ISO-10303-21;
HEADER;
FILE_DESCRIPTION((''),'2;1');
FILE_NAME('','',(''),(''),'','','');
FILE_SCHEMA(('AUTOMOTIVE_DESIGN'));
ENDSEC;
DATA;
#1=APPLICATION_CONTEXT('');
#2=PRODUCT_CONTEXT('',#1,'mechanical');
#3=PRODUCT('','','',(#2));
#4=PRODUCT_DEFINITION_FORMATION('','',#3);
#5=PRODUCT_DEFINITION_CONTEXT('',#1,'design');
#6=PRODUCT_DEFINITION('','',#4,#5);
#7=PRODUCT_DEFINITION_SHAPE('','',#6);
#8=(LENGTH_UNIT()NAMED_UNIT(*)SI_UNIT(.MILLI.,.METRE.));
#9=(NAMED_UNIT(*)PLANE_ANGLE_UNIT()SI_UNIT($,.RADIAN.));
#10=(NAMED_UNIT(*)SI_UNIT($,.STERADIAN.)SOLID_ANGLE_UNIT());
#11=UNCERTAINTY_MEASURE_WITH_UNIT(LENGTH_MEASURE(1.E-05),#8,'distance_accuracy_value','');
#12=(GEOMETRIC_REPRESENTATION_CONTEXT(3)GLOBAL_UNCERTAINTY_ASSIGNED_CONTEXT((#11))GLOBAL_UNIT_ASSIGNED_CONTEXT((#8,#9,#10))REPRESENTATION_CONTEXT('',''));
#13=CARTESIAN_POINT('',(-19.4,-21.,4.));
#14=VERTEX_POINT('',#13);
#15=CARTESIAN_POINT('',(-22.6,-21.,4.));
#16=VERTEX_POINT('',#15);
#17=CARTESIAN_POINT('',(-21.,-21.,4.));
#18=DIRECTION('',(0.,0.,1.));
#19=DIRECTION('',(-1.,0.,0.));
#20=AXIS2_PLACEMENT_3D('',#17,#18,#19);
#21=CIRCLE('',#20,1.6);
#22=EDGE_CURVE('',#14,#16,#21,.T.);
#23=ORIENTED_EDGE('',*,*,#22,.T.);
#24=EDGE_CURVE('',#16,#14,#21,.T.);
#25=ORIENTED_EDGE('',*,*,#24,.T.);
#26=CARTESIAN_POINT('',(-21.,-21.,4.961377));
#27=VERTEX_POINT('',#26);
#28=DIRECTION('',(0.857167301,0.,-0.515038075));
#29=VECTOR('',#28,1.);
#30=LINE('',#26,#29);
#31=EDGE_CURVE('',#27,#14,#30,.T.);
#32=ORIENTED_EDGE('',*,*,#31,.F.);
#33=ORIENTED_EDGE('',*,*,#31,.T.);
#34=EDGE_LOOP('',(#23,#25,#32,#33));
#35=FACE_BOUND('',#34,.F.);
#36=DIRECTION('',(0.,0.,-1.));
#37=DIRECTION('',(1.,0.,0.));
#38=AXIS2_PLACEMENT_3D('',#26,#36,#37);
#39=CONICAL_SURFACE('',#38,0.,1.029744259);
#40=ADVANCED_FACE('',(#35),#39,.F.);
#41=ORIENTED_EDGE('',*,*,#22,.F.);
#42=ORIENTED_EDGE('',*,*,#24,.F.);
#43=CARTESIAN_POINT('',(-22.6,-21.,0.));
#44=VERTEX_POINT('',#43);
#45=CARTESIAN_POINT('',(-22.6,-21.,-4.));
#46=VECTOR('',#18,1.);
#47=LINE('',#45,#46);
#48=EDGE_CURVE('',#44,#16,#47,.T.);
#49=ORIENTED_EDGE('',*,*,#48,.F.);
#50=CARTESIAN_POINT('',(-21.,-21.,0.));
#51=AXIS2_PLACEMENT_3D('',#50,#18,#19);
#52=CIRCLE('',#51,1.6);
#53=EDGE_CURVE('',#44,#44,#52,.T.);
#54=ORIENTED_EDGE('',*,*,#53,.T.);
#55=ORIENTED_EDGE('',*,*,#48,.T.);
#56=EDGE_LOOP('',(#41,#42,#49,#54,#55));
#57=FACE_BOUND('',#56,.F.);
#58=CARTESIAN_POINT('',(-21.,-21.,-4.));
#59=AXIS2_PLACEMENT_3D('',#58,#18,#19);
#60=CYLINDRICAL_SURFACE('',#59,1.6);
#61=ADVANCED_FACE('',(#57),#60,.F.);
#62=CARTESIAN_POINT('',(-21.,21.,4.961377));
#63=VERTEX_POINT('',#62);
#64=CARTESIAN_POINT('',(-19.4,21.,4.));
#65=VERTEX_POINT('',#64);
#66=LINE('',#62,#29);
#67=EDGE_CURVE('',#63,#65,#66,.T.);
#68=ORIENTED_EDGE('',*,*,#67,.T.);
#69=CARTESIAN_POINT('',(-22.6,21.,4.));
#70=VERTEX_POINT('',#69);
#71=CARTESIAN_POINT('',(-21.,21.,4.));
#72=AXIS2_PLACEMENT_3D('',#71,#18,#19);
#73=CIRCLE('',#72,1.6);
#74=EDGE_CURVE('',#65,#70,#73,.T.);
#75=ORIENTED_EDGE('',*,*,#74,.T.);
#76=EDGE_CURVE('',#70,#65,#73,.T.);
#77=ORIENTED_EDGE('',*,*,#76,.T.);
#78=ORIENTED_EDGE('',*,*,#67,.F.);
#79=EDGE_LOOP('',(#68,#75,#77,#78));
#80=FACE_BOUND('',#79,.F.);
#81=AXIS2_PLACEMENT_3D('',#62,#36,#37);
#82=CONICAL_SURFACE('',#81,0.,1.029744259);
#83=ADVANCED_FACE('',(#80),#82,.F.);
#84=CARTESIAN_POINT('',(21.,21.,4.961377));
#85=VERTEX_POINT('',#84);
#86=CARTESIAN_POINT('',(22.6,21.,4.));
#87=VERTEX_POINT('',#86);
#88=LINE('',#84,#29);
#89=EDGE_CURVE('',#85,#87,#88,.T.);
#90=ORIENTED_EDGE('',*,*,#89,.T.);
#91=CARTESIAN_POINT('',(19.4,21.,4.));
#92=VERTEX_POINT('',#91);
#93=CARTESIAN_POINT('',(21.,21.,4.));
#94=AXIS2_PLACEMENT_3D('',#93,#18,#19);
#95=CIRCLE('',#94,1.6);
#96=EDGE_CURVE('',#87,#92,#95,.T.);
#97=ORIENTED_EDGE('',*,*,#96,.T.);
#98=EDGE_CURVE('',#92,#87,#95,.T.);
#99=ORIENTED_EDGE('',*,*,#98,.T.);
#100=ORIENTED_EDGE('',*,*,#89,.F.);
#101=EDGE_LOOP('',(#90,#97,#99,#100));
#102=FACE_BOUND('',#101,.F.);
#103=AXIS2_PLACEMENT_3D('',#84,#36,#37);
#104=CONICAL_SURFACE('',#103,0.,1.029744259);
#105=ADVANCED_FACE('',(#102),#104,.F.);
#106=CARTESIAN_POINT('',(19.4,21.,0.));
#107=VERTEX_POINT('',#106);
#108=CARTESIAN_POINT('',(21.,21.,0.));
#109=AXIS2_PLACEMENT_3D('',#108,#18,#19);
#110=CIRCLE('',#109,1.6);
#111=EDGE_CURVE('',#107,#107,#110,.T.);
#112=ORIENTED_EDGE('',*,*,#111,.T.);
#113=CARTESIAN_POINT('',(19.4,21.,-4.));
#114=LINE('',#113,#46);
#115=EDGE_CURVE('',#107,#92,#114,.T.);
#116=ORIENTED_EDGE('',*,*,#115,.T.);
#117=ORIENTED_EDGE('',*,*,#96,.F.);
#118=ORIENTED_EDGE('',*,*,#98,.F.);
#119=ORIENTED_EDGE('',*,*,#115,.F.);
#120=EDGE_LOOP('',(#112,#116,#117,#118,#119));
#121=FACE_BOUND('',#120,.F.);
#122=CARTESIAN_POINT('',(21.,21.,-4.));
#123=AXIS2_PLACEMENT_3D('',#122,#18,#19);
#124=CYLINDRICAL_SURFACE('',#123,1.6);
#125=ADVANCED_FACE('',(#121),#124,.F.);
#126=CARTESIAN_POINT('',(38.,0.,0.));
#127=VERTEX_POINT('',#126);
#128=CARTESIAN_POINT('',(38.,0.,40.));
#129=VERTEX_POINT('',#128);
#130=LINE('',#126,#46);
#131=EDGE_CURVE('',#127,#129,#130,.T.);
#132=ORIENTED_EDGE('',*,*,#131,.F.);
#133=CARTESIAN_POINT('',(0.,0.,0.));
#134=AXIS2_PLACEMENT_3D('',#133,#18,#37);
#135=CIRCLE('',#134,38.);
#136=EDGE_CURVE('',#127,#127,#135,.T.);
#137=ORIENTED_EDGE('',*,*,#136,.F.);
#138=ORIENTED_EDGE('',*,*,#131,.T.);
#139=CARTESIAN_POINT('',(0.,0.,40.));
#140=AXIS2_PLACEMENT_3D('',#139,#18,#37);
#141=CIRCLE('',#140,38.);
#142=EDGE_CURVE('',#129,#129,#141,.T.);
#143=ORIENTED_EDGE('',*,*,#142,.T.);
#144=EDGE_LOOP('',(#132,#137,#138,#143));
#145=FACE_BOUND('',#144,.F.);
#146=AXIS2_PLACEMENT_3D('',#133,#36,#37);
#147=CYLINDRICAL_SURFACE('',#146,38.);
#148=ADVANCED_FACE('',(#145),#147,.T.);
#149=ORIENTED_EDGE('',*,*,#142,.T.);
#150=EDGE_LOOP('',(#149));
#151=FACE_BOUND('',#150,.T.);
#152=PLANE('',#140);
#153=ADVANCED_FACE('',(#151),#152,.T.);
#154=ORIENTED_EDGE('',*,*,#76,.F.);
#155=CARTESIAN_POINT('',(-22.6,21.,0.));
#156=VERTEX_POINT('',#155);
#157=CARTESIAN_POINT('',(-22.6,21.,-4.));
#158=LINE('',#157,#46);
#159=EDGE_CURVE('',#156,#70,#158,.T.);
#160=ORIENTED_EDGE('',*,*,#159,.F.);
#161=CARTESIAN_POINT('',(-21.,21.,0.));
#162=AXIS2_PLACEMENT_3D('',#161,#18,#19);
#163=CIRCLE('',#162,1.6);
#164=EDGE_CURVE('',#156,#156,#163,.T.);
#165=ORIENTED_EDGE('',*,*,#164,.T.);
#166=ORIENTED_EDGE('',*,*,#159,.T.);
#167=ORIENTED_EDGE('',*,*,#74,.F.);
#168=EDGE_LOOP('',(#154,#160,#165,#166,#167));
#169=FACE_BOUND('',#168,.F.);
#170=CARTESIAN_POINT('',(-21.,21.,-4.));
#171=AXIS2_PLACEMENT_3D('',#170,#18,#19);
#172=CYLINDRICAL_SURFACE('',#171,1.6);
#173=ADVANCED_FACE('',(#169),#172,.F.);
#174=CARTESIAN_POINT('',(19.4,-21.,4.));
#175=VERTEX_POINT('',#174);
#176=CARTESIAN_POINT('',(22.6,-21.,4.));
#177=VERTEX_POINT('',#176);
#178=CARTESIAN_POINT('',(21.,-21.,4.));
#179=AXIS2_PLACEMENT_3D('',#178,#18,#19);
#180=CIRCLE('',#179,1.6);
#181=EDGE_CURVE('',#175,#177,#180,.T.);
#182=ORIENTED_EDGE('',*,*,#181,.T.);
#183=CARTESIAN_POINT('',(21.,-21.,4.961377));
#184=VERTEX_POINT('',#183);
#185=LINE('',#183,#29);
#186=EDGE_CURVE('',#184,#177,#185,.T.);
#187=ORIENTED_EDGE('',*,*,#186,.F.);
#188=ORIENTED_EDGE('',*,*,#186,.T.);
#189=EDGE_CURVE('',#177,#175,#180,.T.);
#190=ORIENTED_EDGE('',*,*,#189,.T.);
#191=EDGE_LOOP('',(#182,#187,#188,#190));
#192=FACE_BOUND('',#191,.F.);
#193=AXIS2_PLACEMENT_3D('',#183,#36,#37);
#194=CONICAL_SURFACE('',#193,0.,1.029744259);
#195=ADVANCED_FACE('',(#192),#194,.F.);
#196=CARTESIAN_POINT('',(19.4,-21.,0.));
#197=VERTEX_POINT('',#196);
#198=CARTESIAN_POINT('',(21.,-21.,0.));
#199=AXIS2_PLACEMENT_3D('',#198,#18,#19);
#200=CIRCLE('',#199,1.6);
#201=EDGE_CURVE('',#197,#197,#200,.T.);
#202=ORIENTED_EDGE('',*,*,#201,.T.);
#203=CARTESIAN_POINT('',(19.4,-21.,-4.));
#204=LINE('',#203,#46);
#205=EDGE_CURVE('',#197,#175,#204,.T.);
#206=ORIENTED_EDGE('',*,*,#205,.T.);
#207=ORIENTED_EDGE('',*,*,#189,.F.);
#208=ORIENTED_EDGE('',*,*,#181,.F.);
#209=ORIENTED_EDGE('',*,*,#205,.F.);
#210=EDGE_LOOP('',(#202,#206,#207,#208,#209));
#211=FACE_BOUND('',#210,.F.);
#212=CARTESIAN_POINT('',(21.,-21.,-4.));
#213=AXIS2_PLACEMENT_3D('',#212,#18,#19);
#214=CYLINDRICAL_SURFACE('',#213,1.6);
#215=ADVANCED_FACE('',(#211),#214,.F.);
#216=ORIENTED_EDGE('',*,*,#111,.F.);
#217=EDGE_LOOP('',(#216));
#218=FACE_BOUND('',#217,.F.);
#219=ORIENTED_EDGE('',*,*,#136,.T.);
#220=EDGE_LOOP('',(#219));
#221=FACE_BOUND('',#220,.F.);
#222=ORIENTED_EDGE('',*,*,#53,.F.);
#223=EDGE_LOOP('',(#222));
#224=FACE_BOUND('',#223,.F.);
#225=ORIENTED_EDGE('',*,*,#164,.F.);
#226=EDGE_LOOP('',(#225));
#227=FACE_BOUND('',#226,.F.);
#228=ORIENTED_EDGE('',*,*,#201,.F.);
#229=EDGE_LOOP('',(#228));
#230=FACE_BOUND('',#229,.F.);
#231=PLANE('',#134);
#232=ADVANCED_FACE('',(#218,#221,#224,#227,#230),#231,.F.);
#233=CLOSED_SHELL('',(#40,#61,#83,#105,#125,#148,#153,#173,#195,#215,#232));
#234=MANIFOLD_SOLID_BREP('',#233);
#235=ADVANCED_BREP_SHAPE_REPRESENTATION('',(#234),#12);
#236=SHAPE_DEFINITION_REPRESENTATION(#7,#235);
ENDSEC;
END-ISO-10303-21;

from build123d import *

# Parameters (mm, degrees)
F0_R     = 38
F1_DEPTH = 40
F3_D     = 3.2
F3_DEPTH = 4
F3_TIP   = 0.9613769904


with BuildPart() as f1:
    # F0 (on Top) → F1 (new body)
    with BuildSketch(Plane.XY):
        Circle(F0_R)
    extrude(amount=F1_DEPTH)

    # F3
    with Locations(Plane(origin=(0, 0, 0), x_dir=(1, 0, 0), z_dir=(0, 0, -1))):
        with Locations((-21, 21), (21, 21), (21, -21), (-21, -21)):
            Hole(F3_D / 2, depth=F3_DEPTH)
            with Locations((0, 0, -(F3_DEPTH + F3_TIP / 2))):  # 118° drill point
                Cone(0, F3_D / 2, F3_TIP, mode=Mode.SUBTRACT)


solid = f1.part
